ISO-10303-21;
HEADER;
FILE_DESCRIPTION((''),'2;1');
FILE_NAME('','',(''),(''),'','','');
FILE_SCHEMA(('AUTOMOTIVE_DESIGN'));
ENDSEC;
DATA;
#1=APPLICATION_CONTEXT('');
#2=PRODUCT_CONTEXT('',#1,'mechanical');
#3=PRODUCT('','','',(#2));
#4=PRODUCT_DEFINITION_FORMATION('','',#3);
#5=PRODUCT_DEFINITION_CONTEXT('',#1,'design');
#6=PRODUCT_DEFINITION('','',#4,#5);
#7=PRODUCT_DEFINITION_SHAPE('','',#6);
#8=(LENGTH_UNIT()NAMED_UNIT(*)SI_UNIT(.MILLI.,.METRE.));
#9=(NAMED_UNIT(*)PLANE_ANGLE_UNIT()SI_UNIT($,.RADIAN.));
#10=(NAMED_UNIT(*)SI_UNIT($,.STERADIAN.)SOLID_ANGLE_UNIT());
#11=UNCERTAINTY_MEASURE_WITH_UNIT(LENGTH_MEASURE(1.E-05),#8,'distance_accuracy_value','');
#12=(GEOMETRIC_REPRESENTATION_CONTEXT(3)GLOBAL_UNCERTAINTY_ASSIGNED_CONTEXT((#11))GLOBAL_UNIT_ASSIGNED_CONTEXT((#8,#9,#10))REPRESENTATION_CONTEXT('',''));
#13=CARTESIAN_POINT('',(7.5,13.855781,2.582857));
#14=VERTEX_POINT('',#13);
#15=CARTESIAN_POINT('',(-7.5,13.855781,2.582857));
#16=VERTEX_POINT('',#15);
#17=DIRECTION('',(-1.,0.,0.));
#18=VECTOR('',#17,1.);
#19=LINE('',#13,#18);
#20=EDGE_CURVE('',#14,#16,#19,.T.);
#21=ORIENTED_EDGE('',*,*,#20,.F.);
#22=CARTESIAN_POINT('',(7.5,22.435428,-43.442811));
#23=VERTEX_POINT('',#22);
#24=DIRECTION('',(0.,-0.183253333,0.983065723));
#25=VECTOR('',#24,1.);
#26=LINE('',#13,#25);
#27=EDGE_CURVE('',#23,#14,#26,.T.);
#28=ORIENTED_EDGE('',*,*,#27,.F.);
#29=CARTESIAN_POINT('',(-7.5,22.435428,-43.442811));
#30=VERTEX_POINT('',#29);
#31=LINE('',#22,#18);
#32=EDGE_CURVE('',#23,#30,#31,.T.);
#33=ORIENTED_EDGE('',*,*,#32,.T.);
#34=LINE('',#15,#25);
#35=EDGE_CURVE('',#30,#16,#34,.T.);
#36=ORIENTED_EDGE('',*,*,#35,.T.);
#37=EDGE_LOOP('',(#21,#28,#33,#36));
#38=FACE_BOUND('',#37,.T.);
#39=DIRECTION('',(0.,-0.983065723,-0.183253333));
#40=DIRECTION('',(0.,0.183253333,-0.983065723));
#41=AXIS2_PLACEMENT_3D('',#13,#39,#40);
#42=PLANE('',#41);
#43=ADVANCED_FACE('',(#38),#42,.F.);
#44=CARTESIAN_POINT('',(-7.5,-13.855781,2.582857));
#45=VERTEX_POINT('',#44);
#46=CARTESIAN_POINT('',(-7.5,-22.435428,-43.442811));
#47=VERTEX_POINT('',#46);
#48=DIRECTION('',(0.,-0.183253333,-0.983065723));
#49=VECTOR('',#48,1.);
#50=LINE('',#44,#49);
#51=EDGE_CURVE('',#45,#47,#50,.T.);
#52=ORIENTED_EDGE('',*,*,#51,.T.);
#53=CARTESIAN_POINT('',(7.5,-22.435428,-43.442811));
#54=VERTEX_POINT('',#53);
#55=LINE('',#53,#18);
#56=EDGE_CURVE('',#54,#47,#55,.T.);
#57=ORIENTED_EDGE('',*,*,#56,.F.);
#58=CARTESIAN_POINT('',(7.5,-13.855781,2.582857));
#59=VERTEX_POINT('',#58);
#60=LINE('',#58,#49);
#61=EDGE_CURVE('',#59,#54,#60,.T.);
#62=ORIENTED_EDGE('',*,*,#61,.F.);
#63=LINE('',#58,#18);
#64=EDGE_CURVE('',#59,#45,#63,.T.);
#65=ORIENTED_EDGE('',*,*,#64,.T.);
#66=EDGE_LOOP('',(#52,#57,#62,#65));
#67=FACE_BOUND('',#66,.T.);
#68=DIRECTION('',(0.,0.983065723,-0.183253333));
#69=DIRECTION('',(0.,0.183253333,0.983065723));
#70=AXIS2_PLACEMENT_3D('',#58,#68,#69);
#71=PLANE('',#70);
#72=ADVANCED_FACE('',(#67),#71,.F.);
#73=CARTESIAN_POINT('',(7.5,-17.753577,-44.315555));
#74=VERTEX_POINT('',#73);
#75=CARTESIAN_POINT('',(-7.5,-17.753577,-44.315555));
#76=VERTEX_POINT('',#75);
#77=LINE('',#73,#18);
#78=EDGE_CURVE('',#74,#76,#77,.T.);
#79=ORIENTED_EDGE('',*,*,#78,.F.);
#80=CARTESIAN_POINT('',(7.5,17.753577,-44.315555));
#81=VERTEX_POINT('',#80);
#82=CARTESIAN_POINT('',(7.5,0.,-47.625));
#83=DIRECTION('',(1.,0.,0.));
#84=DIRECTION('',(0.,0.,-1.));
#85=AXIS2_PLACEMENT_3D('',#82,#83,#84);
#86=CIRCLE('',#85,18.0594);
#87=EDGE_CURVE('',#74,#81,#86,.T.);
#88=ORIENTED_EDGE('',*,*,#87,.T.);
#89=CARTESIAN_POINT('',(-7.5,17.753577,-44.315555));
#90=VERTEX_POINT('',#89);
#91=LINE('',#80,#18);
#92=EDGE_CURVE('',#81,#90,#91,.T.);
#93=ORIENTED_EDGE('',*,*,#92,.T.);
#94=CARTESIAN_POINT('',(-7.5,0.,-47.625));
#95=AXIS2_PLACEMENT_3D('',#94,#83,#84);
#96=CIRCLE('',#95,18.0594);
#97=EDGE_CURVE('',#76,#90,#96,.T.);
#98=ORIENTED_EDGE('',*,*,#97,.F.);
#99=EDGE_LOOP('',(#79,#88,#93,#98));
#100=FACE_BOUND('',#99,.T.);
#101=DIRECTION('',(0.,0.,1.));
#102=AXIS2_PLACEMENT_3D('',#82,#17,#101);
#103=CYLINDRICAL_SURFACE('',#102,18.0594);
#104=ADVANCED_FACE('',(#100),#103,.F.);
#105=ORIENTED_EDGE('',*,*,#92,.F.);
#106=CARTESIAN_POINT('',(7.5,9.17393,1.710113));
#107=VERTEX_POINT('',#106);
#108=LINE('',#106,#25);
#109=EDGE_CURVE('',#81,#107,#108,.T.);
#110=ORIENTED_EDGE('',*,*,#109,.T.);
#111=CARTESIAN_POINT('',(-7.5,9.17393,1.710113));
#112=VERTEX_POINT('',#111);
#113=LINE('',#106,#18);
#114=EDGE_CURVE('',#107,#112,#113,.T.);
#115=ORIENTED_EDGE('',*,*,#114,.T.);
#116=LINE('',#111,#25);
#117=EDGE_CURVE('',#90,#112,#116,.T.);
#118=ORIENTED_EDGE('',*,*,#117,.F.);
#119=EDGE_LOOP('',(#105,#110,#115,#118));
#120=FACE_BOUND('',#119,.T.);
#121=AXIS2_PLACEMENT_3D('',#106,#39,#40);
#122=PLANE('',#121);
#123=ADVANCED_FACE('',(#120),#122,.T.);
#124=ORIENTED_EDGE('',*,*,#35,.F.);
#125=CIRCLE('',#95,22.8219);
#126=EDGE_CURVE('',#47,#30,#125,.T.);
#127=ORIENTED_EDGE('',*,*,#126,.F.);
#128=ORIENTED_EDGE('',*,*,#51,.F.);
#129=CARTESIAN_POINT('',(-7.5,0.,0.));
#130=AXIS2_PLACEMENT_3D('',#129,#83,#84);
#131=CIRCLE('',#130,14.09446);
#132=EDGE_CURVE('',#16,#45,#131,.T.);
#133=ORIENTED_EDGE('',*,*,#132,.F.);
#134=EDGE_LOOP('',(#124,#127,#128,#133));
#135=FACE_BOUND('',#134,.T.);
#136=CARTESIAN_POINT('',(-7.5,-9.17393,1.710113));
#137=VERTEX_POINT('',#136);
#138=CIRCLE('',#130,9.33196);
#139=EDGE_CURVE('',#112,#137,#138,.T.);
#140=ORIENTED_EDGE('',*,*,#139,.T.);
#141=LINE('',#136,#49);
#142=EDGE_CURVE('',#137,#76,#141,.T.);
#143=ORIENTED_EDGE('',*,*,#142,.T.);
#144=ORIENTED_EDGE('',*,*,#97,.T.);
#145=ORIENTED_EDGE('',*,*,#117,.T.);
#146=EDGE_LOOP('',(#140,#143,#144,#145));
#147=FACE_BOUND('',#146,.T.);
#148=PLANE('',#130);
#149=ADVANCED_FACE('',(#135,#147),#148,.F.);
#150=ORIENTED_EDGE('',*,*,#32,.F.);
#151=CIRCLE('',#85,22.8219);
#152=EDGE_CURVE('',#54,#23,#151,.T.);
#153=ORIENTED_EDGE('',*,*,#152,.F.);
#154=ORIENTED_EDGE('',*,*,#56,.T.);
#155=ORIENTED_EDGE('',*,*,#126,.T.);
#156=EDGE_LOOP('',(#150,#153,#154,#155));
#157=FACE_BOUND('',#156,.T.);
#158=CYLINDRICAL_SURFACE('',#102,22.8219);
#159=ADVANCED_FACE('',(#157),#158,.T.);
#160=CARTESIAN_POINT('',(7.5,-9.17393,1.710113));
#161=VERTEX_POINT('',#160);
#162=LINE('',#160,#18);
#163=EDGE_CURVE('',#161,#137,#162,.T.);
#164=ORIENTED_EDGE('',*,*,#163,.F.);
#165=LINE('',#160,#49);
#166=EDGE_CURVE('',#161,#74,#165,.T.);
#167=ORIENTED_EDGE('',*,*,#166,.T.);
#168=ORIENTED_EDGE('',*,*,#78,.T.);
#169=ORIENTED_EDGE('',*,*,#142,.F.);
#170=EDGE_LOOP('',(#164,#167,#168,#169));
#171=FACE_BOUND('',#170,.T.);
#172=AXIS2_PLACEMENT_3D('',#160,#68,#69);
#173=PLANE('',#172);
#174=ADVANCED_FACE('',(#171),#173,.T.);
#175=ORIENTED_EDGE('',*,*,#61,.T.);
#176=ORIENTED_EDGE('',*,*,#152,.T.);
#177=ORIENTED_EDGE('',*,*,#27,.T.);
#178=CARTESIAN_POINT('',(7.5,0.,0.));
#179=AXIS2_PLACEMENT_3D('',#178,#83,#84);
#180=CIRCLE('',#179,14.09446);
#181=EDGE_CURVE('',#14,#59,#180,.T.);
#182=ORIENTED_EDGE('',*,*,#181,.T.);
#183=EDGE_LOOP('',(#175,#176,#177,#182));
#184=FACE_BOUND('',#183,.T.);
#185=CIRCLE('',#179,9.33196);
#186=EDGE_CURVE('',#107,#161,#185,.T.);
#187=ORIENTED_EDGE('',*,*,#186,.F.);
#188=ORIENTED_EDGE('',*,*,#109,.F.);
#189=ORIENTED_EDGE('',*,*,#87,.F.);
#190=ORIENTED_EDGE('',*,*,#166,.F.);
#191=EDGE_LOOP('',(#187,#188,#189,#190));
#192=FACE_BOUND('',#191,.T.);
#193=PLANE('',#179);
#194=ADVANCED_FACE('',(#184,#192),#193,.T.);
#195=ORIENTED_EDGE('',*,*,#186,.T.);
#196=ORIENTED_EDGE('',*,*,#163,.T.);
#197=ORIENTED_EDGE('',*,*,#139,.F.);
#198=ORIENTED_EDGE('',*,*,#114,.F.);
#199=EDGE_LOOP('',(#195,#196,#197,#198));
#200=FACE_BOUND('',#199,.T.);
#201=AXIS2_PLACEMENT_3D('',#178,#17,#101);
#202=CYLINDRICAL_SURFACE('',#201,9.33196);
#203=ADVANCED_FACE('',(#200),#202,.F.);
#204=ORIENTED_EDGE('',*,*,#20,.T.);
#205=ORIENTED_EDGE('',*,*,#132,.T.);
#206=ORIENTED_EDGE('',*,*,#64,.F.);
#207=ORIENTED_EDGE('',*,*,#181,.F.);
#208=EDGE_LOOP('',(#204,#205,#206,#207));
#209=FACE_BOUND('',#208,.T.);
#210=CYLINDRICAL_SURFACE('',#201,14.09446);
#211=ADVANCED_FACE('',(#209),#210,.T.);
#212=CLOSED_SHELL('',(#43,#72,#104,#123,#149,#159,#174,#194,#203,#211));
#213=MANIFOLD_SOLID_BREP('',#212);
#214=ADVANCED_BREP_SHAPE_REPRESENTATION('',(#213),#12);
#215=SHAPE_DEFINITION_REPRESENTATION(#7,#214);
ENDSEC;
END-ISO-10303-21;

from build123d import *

# Parameters (mm, degrees)
BOSS_EXTRUDE1_DEPTH = 7.5


with BuildPart() as part:
    # Sketch1 → Boss-Extrude1 (new body, symmetric)
    with BuildSketch(Plane(origin=(0, 0, 0), x_dir=(0, 0, -1), z_dir=(1, 0, 0))):
        with BuildLine():
            Line((-2.582856777, 13.855780511), (43.442810752, 22.435427625))
            ThreePointArc((43.442810752, 22.435427625), (70.4469, 0), (43.442810752, -22.435427625))
            Line((43.442810752, -22.435427625), (-2.582856777, -13.855780511))
            ThreePointArc((-2.582856777, -13.855780511), (-14.09446, 0), (-2.582856777, 13.855780511))
        make_face()
        with BuildLine():
            Line((-1.710112777, 9.173930005), (44.315554752, 17.753577119))
            ThreePointArc((44.315554752, 17.753577119), (65.6844, 0), (44.315554752, -17.753577119))
            Line((44.315554752, -17.753577119), (-1.710112777, -9.173930005))
            ThreePointArc((-1.710112777, -9.173930005), (-9.33196, 0), (-1.710112777, 9.173930005))
        make_face(mode=Mode.SUBTRACT)
    extrude(amount=BOSS_EXTRUDE1_DEPTH, both=True)


solid = part.part
